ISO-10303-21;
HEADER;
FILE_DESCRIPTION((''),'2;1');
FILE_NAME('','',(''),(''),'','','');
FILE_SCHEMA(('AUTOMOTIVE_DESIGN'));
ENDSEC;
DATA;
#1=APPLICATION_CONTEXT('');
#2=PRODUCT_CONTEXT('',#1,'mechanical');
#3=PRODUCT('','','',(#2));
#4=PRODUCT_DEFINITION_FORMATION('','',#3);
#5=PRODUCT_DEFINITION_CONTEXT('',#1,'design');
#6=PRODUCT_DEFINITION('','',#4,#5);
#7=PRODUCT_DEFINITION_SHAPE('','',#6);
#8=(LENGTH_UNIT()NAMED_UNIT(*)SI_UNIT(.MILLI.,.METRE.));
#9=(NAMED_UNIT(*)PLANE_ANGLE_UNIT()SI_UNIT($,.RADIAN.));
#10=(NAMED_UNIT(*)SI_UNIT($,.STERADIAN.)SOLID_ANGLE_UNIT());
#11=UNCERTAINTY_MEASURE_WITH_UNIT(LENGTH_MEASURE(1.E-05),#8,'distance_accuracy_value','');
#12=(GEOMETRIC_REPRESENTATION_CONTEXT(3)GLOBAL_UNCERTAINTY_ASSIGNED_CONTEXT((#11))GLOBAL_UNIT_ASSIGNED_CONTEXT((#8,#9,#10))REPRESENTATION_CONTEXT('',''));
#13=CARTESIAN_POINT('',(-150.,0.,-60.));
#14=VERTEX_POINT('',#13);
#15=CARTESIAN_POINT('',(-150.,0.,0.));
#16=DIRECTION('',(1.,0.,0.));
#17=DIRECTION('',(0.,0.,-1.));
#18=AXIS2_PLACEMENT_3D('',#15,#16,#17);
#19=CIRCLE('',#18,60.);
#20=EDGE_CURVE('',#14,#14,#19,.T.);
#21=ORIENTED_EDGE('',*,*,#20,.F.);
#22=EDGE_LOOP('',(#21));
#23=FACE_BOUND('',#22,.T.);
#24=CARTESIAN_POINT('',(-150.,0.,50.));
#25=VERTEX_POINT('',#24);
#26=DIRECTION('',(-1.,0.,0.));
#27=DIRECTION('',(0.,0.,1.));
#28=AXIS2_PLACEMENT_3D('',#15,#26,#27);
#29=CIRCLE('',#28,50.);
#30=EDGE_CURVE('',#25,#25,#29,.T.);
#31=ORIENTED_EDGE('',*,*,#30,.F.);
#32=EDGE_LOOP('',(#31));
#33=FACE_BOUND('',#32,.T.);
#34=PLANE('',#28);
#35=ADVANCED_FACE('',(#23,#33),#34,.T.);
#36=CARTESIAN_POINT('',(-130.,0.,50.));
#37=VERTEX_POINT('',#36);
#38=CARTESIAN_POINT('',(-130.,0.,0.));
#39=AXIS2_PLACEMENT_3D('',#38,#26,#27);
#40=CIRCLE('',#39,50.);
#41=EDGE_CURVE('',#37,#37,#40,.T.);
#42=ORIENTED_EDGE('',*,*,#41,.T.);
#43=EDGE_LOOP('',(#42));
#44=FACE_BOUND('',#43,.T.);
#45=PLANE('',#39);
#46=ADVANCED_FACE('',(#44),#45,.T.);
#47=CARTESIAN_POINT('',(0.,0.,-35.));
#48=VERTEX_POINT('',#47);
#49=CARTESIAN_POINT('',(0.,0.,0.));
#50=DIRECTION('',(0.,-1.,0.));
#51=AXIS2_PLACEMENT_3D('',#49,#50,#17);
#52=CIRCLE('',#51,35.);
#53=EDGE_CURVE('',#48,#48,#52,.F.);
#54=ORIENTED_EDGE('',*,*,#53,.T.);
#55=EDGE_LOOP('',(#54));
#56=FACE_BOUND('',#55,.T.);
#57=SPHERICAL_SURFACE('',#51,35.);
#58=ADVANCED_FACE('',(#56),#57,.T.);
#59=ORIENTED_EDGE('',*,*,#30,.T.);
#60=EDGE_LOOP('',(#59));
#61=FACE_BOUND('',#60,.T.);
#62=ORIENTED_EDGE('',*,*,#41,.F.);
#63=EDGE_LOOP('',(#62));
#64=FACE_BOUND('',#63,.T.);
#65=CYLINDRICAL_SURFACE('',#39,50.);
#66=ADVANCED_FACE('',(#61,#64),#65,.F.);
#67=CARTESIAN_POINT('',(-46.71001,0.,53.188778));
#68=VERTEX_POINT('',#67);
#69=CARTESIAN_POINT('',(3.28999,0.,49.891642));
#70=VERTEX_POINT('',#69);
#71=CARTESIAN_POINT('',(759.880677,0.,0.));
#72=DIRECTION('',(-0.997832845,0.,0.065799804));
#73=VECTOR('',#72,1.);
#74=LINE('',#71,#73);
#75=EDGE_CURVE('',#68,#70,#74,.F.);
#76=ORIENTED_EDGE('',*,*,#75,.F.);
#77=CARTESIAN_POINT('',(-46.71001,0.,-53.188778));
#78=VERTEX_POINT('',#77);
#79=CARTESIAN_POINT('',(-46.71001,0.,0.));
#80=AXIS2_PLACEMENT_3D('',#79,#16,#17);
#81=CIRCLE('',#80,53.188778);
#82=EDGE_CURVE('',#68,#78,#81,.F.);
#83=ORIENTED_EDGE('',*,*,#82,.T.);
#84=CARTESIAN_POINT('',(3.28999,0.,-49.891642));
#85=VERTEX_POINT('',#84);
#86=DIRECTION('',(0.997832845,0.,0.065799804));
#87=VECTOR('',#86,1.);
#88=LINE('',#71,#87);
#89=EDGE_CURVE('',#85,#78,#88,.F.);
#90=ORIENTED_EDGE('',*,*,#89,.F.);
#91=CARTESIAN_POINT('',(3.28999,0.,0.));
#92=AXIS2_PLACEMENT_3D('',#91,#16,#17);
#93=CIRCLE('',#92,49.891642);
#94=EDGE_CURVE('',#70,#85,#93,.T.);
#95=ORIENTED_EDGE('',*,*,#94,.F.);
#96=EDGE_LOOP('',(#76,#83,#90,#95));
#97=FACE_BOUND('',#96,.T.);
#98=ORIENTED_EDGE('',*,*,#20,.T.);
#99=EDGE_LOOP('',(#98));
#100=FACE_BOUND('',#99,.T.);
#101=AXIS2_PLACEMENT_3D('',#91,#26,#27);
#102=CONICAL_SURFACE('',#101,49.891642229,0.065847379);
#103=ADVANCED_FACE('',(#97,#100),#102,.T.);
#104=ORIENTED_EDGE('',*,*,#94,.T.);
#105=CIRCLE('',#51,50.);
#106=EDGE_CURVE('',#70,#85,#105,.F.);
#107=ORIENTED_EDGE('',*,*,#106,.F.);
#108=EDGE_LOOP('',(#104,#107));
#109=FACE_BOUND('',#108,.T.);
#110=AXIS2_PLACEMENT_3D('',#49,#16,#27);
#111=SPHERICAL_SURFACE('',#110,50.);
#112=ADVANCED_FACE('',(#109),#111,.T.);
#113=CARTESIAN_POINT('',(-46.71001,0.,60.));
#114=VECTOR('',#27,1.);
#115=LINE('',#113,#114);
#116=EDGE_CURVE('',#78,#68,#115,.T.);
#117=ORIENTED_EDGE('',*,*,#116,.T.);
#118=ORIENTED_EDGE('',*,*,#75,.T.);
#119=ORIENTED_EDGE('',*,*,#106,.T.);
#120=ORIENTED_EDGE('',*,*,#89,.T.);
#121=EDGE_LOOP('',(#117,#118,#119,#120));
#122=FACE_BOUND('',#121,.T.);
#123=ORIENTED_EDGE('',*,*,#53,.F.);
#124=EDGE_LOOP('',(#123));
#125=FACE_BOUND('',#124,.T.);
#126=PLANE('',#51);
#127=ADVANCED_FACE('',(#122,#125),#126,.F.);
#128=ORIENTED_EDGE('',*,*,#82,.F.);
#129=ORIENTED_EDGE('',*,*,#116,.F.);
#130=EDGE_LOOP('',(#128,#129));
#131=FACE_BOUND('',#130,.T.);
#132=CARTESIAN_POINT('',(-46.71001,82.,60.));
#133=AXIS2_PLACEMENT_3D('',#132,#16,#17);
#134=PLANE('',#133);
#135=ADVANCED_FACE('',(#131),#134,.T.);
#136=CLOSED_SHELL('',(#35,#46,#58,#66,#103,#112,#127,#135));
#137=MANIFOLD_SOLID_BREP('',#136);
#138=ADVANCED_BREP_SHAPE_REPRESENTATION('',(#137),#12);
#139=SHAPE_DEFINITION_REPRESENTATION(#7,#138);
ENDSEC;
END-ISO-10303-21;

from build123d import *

# Parameters (mm, degrees)
SKETCH2_W          = 100
SKETCH2_H          = 120
CUT_EXTRUDE1_DEPTH = 82
SKETCH4_R          = 50
CUT_EXTRUDE2_DEPTH = 20


with BuildPart() as part:
    # Sketch1 → Revolve1 (revolve)
    with BuildSketch(Plane(origin=(0, 0, 0), x_dir=(1, 0, 0), z_dir=(0, 1, 0)), mode=Mode.PRIVATE) as revolve1_sk:
        with BuildLine():
            Line((0, 0), (-150, 0))
            Line((-150, 0), (-150, 60))
            Line((-150, 60), (3.289990225, 49.891642229))
            ThreePointArc((3.289990225, 49.891642229), (36.499996652, 34.172360825), (50, 0))
            Line((50, 0), (0, 0))
        make_face()
    revolve(revolve1_sk.sketch.rotate(Axis((0, 0, 0), (-1, 0, 0)), 180), axis=Axis((0, 0, 0), (-1, 0, 0)))

    # Sketch2 → Cut-Extrude1 (cut)
    with BuildSketch(Plane(origin=(0, 0, 0), x_dir=(1, 0, 0), z_dir=(0, 1, 0))):
        with Locations((3.289990225, 0)):
            Rectangle(SKETCH2_W, SKETCH2_H)
    extrude(amount=CUT_EXTRUDE1_DEPTH, mode=Mode.SUBTRACT)

    # Sketch3 → Revolve2 (revolve)
    with BuildSketch(Plane(origin=(0, 0, 0), x_dir=(1, 0, 0), z_dir=(0, 1, 0))):
        with BuildLine():
            Line((-35, 0), (35, 0))
            ThreePointArc((35, 0), (0, 35), (-35, 0))
        make_face()
    revolve(axis=Axis((-35, 0, 0), (1, 0, 0)))

    # Sketch4 → Cut-Extrude2 (cut)
    with BuildSketch(Plane.ZY.offset(150)):
        Circle(SKETCH4_R)
    extrude(amount=-CUT_EXTRUDE2_DEPTH, mode=Mode.SUBTRACT)


solid = part.part
